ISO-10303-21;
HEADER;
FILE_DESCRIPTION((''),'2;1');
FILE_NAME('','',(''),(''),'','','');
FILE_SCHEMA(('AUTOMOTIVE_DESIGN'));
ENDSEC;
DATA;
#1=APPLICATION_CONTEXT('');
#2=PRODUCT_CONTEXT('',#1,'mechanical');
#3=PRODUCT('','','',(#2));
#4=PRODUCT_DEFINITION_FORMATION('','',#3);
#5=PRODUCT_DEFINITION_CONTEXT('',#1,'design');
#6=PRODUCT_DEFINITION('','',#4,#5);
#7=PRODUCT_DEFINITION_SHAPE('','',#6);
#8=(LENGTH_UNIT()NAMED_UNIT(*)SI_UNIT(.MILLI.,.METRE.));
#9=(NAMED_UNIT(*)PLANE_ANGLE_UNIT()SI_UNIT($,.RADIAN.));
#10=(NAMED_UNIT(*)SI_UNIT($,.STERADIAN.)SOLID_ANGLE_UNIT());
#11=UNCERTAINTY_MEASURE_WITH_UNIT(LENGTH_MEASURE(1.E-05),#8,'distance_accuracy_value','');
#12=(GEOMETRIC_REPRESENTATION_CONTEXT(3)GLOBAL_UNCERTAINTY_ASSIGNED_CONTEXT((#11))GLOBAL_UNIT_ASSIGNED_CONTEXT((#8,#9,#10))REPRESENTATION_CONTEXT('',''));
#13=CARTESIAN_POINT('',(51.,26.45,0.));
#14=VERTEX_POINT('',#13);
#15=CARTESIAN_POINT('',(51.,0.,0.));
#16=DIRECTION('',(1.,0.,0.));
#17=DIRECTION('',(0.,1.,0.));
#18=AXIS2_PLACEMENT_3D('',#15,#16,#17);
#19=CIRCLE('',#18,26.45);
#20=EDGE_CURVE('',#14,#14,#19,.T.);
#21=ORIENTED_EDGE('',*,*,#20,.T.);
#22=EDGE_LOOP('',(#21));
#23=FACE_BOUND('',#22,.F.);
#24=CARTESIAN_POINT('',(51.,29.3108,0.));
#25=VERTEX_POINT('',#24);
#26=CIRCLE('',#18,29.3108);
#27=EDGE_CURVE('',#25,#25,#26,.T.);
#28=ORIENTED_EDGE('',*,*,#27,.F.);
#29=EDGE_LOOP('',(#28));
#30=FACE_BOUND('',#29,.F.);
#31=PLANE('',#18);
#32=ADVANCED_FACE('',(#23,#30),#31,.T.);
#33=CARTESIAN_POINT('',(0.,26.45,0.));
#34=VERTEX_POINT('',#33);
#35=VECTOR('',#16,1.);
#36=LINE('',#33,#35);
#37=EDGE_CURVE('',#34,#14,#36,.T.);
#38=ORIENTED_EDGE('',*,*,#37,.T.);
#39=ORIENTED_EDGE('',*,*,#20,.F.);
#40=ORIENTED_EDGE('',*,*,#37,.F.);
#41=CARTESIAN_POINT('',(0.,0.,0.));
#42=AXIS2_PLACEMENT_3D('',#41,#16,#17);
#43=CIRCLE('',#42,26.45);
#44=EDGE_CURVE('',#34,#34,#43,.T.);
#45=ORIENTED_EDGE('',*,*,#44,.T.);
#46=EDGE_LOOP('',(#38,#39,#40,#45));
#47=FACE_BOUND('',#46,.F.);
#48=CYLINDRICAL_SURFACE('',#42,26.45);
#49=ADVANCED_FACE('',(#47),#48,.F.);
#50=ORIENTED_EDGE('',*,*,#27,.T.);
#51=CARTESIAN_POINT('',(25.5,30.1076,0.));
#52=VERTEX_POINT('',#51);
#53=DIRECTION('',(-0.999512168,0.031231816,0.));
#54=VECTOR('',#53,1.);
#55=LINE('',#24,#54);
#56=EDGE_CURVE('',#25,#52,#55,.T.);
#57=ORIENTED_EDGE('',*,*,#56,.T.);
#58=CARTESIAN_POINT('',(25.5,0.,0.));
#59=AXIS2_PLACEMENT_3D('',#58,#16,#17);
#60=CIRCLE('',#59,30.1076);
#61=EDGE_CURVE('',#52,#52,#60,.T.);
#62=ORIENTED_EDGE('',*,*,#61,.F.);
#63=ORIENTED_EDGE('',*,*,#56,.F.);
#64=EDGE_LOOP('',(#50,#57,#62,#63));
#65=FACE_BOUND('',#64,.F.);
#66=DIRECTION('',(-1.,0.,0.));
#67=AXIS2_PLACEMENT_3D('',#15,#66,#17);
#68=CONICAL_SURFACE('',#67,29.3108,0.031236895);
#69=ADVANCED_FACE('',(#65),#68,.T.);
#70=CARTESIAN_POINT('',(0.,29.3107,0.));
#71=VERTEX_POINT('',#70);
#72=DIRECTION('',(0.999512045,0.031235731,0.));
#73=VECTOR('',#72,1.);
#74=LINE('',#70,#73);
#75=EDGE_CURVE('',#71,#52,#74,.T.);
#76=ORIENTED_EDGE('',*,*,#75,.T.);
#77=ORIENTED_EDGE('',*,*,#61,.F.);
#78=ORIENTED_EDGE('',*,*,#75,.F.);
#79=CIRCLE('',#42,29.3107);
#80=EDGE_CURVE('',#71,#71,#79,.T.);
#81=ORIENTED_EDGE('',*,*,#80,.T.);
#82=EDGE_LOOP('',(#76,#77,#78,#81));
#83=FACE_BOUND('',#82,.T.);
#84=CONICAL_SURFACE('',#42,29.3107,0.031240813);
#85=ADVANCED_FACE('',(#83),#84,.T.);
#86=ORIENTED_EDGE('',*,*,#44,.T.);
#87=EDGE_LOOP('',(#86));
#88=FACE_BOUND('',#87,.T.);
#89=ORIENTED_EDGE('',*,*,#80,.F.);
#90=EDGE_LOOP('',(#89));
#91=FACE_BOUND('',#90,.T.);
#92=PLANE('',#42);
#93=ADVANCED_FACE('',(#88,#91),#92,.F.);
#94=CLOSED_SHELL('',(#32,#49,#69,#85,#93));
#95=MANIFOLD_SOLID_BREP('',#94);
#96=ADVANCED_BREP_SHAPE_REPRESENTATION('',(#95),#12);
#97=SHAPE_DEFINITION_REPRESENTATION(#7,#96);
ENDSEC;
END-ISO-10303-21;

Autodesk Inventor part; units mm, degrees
ref_plane "YZ Plane" through (0, 0, 0) normal (1, 0, 0) x (0, 1, 0)
ref_plane "XZ Plane" through (0, 0, 0) normal (0, 1, 0) x (-1, 0, 0)
ref_plane "XY Plane" through (0, 0, 0) normal (0, 0, 1) x (1, 0, 0)
sketch "Sketch1" plane through (0, 0, 0) normal (0, 0, 1) x (1, 0, 0)
  line L0 (0, 0) -> (51, 0)
  line L1 (51, 26.45) -> (51, 29.3108)
  line L2 (51, 26.45) -> (51, 0) construction
  line L3 (0, 26.45) -> (0, 29.3107)
  line L4 (0, 26.45) -> (0, 0) construction
  line L5 (0, -6.0215) -> (0, 36.1292) projected
  line L6 (-10.2, 0) -> (61.2, 0) projected
  line L7 (0, 26.45) -> (51, 26.45)
  line L8 (0, 29.3107) -> (25.5, 30.1076)
  line L9 (25.5, 30.1076) -> (25.5, 0) construction
  line L10 (15.88, 29.807) -> (15.88, 0) construction
  line L11 (51, 29.3108) -> (25.5, 30.1076)
  dimension "d0" = 52.9
  dimension "d1" = 1.79
  dimension "d2" = 51
  dimension "d7" = 15.88
  dimension "d8" = 59.614
revolve "Revolution1" add sketch "Sketch1" angle 360 about axis through (0, 0, 0) along (1, 0, 0)
thread "Thread1" size "R 2" standard "JIS Taper" full length
thread "Thread2" size "R 2" standard "JIS Taper" full length
equation "\"d0\" = d"
equation "\"d2\" = L"
equation "\"d7\" = a"
equation "\"d8\" = MjD"
equation "\"MjD\" = 59.614"
equation "\"d\" = 52.9"
equation "\"a\" = 15.88"
properties part number "JIS B 2302 Close Nipple 2" material "Steel, Carbon"
